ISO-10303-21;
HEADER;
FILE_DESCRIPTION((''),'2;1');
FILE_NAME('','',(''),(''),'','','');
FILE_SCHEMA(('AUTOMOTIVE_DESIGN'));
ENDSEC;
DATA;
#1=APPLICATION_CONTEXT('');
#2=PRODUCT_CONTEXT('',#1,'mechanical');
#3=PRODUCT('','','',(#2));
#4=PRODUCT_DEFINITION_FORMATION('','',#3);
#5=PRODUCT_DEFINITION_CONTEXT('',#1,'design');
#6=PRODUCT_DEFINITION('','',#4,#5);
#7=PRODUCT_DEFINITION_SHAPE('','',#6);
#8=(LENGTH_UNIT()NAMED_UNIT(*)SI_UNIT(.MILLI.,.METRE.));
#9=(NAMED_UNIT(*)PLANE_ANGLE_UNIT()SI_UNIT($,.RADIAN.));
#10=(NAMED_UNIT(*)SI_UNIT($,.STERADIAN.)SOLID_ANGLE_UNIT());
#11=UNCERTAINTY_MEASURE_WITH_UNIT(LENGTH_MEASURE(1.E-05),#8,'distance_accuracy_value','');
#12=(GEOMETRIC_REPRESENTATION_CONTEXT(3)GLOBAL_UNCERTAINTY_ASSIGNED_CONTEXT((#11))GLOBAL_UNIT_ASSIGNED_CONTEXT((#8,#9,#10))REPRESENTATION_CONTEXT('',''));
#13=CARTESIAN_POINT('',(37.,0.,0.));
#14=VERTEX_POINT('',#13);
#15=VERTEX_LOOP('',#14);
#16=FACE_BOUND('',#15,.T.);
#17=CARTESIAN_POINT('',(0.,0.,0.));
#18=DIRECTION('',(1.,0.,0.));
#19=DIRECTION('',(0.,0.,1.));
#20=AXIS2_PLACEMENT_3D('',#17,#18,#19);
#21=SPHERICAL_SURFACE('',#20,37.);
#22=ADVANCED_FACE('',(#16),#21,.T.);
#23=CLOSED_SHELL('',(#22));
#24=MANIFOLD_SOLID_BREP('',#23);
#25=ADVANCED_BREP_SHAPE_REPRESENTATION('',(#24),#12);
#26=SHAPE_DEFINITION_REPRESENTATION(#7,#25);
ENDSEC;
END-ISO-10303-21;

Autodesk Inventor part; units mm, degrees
ref_plane "YZ Plane" through (0, 0, 0) normal (1, 0, 0) x (0, 1, 0)
ref_plane "XZ Plane" through (0, 0, 0) normal (0, 1, 0) x (-1, 0, 0)
ref_plane "XY Plane" through (0, 0, 0) normal (0, 0, 1) x (1, 0, 0)
sketch "Эскиз1" plane through (0, 0, 0) normal (0, 1, 0) x (-1, 0, 0)
  arc A0 (37, 0) -> (-37, 0) centre (0, 0) ccw
  line L0 (37, 0) -> (-37, 0)
  dimension "d0" = 37
revolve "Вращение1" add sketch "Эскиз1" angle 360 about axis through (-37, 0, 0) along (1, 0, 0)
properties part number "ball"
